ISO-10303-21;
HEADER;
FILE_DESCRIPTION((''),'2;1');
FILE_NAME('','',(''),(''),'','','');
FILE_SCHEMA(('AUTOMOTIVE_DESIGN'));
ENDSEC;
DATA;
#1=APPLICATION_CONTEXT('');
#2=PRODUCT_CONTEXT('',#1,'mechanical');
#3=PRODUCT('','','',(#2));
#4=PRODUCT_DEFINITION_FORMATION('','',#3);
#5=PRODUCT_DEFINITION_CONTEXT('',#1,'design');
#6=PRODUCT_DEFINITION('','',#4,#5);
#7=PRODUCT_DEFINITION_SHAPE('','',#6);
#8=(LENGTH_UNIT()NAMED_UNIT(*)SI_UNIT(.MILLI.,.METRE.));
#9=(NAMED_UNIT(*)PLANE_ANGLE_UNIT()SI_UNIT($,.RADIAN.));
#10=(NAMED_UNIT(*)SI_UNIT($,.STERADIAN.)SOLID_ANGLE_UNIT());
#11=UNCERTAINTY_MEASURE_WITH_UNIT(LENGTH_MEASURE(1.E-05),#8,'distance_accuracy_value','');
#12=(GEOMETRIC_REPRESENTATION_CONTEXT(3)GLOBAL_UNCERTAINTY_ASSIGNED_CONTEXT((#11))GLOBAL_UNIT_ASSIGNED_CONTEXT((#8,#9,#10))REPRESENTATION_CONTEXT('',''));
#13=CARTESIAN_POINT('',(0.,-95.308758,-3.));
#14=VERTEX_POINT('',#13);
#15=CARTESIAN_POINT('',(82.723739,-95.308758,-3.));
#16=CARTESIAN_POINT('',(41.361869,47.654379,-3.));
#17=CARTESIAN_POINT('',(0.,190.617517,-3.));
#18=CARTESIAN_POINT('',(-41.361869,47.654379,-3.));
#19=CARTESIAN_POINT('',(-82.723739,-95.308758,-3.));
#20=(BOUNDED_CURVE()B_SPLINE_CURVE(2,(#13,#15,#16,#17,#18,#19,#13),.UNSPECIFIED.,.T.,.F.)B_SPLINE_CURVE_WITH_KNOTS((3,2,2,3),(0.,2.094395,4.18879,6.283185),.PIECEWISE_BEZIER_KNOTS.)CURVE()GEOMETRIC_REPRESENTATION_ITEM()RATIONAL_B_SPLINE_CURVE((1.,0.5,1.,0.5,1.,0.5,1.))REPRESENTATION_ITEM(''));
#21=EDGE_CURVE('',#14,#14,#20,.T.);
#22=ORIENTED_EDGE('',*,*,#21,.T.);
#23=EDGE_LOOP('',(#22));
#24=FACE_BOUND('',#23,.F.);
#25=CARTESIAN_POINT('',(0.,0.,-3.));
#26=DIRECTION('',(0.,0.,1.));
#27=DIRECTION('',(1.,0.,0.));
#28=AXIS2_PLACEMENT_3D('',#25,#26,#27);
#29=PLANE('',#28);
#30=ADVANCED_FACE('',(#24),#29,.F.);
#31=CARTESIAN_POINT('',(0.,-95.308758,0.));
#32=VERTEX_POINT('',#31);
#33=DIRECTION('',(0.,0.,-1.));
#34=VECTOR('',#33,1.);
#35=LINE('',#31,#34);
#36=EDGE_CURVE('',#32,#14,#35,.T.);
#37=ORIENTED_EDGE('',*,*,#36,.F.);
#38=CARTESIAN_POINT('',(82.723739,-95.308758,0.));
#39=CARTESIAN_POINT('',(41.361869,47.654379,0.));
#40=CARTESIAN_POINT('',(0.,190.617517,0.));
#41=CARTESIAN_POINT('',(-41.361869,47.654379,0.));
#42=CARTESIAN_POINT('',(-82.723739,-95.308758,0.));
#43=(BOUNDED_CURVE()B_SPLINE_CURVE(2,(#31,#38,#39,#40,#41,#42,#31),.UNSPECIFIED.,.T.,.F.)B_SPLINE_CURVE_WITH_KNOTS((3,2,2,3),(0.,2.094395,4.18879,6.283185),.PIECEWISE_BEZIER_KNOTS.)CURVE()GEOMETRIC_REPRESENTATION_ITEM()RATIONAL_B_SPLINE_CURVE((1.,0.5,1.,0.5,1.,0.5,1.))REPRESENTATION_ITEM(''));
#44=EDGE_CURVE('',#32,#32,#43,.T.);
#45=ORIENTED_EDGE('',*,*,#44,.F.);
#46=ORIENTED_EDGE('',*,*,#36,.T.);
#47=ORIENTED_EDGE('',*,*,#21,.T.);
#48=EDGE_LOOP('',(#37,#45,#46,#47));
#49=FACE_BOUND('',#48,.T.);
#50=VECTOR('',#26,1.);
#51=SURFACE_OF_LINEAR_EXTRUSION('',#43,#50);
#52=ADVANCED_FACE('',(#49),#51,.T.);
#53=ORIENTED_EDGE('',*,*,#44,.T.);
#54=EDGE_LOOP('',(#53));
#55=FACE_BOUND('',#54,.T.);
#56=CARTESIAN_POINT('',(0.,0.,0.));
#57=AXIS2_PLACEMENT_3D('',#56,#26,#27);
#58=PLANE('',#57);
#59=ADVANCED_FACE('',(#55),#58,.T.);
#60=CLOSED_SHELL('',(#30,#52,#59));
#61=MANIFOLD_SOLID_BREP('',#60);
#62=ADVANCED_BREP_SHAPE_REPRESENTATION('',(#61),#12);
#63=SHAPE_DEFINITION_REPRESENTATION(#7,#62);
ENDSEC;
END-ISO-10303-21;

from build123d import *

# Parameters (mm, degrees)
F1_DEPTH = 3


with BuildPart() as f1:
    # F0 (on Top) → F1 (new body)
    with BuildSketch(Plane.XY):
        with BuildLine():
            add(Edge.make_bspline(
                [(0, -95.308758), (82.723739, -95.308758), (41.361869, 47.654379), (0, 190.617517), (-41.361869, 47.654379), (-82.723739, -95.308758), (0, -95.308758)],
                knots=[0, 0, 0, 2.094395, 2.094395, 4.18879, 4.18879, 6.283185, 6.283185, 6.283185], degree=2, weights=[1, 0.5, 1, 0.5, 1, 0.5, 1]))
        make_face()
    extrude(amount=-F1_DEPTH)


solid = f1.part
